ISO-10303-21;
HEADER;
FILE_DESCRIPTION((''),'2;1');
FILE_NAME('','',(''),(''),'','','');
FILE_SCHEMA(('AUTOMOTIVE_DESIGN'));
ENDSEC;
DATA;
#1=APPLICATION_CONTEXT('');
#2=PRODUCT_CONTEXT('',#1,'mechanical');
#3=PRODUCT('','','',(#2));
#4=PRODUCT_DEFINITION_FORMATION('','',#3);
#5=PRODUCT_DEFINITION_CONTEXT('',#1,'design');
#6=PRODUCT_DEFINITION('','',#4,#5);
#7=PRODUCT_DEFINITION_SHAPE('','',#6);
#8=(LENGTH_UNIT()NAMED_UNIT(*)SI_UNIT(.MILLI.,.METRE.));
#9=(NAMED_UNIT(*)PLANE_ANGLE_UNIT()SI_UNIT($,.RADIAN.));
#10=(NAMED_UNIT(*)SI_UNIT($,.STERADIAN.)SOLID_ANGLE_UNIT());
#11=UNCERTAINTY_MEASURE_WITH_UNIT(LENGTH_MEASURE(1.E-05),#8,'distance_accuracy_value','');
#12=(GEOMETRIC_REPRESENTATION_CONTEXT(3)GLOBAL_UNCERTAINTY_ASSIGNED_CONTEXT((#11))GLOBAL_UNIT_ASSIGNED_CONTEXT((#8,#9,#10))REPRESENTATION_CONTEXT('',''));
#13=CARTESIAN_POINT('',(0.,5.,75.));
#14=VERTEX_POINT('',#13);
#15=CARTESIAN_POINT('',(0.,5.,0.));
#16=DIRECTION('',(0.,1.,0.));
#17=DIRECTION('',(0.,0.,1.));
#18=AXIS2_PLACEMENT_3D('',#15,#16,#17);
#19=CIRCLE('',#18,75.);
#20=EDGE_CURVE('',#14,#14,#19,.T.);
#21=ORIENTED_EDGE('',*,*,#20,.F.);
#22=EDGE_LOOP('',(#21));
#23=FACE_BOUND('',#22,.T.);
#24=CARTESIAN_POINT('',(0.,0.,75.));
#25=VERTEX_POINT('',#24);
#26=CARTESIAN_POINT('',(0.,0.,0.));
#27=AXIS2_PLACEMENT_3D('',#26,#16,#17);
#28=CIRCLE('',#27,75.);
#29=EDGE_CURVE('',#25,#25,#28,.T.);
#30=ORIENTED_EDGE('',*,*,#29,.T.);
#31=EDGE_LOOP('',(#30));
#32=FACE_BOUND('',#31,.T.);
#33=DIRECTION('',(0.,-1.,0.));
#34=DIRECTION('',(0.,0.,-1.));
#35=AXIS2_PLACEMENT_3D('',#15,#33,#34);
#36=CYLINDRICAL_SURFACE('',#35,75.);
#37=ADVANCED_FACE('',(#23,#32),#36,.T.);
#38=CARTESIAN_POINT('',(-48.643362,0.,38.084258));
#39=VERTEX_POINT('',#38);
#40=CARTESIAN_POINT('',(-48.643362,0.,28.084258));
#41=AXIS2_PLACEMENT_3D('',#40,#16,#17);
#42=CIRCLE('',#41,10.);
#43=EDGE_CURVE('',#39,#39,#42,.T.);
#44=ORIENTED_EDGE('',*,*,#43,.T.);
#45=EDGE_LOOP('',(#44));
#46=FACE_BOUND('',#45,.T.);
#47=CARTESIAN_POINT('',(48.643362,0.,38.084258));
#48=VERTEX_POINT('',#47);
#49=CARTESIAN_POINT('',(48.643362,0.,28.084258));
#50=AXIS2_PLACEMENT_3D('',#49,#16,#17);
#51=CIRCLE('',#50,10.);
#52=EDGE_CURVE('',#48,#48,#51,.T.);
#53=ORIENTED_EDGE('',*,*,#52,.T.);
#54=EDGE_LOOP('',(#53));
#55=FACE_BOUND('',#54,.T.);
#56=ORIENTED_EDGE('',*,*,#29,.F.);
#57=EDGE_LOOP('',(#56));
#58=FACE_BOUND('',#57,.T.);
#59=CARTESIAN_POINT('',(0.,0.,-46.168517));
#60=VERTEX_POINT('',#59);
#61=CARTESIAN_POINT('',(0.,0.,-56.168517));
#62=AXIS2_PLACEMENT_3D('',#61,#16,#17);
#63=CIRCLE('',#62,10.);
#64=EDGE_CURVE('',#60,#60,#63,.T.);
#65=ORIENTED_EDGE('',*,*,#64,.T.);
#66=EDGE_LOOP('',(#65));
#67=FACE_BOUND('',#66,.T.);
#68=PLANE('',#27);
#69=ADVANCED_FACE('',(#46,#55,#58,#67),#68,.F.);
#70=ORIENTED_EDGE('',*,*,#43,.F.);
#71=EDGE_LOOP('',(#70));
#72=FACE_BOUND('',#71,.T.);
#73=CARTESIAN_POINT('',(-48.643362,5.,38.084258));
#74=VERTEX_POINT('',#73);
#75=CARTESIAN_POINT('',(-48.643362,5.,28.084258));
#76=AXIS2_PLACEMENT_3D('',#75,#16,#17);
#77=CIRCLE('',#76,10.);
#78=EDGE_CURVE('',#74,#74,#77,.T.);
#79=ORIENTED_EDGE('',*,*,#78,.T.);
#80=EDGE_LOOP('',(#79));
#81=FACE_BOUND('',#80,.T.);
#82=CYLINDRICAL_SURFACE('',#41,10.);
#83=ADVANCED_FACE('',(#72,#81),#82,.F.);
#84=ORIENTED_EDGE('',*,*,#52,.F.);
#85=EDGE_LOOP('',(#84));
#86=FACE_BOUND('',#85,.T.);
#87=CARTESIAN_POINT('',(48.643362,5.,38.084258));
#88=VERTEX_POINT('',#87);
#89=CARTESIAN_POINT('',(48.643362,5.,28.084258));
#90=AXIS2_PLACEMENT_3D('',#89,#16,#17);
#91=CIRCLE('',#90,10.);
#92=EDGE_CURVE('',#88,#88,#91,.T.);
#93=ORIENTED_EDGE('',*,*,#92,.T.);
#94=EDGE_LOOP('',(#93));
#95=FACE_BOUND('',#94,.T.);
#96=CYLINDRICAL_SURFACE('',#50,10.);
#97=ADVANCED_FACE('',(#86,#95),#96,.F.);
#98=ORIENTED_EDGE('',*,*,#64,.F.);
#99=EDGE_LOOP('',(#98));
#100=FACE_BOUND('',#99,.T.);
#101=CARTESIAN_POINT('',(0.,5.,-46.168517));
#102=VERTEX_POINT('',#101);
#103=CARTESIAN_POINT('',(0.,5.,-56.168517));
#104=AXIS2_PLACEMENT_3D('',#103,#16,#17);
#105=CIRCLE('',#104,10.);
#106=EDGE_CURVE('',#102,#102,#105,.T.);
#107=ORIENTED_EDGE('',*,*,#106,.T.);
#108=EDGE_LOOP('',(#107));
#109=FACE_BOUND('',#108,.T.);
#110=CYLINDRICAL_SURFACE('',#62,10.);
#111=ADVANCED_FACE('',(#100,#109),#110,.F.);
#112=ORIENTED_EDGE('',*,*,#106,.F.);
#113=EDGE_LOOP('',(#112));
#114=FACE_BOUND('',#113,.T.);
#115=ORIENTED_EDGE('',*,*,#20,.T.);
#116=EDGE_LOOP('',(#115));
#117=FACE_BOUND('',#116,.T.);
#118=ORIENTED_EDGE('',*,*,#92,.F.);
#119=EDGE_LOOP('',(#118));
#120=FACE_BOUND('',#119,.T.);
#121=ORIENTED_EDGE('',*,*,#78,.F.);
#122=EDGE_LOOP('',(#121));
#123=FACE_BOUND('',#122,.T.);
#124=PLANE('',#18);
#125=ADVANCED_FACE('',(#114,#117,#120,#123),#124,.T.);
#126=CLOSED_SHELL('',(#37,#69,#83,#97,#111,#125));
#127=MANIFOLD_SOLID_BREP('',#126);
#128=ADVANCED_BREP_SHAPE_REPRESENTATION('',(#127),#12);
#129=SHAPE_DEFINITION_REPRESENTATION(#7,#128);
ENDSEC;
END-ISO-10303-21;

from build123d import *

# Parameters (mm, degrees)
SKETCH1_R           = 75
BOSS_EXTRUDE1_DEPTH = 5
SKETCH2_R           = 10
CUT_EXTRUDE1_DEPTH  = 5


with BuildPart() as part:
    # Sketch1 → Boss-Extrude1 (new body)
    with BuildSketch(Plane(origin=(0, 0, 0), x_dir=(1, 0, 0), z_dir=(0, 1, 0))):
        Circle(SKETCH1_R)
    extrude(amount=BOSS_EXTRUDE1_DEPTH)

    # Sketch2 → Cut-Extrude1 (cut)
    with BuildSketch(Plane(origin=(0, 5, 0), x_dir=(1, 0, 0), z_dir=(0, 1, 0))):
        with Locations((0, 56.168516558)):
            Circle(SKETCH2_R)
        with Locations((48.643362232, -28.084258279)):
            Circle(SKETCH2_R)
        with Locations((-48.643362232, -28.084258279)):
            Circle(SKETCH2_R)
    extrude(amount=-CUT_EXTRUDE1_DEPTH, mode=Mode.SUBTRACT)


solid = part.part
